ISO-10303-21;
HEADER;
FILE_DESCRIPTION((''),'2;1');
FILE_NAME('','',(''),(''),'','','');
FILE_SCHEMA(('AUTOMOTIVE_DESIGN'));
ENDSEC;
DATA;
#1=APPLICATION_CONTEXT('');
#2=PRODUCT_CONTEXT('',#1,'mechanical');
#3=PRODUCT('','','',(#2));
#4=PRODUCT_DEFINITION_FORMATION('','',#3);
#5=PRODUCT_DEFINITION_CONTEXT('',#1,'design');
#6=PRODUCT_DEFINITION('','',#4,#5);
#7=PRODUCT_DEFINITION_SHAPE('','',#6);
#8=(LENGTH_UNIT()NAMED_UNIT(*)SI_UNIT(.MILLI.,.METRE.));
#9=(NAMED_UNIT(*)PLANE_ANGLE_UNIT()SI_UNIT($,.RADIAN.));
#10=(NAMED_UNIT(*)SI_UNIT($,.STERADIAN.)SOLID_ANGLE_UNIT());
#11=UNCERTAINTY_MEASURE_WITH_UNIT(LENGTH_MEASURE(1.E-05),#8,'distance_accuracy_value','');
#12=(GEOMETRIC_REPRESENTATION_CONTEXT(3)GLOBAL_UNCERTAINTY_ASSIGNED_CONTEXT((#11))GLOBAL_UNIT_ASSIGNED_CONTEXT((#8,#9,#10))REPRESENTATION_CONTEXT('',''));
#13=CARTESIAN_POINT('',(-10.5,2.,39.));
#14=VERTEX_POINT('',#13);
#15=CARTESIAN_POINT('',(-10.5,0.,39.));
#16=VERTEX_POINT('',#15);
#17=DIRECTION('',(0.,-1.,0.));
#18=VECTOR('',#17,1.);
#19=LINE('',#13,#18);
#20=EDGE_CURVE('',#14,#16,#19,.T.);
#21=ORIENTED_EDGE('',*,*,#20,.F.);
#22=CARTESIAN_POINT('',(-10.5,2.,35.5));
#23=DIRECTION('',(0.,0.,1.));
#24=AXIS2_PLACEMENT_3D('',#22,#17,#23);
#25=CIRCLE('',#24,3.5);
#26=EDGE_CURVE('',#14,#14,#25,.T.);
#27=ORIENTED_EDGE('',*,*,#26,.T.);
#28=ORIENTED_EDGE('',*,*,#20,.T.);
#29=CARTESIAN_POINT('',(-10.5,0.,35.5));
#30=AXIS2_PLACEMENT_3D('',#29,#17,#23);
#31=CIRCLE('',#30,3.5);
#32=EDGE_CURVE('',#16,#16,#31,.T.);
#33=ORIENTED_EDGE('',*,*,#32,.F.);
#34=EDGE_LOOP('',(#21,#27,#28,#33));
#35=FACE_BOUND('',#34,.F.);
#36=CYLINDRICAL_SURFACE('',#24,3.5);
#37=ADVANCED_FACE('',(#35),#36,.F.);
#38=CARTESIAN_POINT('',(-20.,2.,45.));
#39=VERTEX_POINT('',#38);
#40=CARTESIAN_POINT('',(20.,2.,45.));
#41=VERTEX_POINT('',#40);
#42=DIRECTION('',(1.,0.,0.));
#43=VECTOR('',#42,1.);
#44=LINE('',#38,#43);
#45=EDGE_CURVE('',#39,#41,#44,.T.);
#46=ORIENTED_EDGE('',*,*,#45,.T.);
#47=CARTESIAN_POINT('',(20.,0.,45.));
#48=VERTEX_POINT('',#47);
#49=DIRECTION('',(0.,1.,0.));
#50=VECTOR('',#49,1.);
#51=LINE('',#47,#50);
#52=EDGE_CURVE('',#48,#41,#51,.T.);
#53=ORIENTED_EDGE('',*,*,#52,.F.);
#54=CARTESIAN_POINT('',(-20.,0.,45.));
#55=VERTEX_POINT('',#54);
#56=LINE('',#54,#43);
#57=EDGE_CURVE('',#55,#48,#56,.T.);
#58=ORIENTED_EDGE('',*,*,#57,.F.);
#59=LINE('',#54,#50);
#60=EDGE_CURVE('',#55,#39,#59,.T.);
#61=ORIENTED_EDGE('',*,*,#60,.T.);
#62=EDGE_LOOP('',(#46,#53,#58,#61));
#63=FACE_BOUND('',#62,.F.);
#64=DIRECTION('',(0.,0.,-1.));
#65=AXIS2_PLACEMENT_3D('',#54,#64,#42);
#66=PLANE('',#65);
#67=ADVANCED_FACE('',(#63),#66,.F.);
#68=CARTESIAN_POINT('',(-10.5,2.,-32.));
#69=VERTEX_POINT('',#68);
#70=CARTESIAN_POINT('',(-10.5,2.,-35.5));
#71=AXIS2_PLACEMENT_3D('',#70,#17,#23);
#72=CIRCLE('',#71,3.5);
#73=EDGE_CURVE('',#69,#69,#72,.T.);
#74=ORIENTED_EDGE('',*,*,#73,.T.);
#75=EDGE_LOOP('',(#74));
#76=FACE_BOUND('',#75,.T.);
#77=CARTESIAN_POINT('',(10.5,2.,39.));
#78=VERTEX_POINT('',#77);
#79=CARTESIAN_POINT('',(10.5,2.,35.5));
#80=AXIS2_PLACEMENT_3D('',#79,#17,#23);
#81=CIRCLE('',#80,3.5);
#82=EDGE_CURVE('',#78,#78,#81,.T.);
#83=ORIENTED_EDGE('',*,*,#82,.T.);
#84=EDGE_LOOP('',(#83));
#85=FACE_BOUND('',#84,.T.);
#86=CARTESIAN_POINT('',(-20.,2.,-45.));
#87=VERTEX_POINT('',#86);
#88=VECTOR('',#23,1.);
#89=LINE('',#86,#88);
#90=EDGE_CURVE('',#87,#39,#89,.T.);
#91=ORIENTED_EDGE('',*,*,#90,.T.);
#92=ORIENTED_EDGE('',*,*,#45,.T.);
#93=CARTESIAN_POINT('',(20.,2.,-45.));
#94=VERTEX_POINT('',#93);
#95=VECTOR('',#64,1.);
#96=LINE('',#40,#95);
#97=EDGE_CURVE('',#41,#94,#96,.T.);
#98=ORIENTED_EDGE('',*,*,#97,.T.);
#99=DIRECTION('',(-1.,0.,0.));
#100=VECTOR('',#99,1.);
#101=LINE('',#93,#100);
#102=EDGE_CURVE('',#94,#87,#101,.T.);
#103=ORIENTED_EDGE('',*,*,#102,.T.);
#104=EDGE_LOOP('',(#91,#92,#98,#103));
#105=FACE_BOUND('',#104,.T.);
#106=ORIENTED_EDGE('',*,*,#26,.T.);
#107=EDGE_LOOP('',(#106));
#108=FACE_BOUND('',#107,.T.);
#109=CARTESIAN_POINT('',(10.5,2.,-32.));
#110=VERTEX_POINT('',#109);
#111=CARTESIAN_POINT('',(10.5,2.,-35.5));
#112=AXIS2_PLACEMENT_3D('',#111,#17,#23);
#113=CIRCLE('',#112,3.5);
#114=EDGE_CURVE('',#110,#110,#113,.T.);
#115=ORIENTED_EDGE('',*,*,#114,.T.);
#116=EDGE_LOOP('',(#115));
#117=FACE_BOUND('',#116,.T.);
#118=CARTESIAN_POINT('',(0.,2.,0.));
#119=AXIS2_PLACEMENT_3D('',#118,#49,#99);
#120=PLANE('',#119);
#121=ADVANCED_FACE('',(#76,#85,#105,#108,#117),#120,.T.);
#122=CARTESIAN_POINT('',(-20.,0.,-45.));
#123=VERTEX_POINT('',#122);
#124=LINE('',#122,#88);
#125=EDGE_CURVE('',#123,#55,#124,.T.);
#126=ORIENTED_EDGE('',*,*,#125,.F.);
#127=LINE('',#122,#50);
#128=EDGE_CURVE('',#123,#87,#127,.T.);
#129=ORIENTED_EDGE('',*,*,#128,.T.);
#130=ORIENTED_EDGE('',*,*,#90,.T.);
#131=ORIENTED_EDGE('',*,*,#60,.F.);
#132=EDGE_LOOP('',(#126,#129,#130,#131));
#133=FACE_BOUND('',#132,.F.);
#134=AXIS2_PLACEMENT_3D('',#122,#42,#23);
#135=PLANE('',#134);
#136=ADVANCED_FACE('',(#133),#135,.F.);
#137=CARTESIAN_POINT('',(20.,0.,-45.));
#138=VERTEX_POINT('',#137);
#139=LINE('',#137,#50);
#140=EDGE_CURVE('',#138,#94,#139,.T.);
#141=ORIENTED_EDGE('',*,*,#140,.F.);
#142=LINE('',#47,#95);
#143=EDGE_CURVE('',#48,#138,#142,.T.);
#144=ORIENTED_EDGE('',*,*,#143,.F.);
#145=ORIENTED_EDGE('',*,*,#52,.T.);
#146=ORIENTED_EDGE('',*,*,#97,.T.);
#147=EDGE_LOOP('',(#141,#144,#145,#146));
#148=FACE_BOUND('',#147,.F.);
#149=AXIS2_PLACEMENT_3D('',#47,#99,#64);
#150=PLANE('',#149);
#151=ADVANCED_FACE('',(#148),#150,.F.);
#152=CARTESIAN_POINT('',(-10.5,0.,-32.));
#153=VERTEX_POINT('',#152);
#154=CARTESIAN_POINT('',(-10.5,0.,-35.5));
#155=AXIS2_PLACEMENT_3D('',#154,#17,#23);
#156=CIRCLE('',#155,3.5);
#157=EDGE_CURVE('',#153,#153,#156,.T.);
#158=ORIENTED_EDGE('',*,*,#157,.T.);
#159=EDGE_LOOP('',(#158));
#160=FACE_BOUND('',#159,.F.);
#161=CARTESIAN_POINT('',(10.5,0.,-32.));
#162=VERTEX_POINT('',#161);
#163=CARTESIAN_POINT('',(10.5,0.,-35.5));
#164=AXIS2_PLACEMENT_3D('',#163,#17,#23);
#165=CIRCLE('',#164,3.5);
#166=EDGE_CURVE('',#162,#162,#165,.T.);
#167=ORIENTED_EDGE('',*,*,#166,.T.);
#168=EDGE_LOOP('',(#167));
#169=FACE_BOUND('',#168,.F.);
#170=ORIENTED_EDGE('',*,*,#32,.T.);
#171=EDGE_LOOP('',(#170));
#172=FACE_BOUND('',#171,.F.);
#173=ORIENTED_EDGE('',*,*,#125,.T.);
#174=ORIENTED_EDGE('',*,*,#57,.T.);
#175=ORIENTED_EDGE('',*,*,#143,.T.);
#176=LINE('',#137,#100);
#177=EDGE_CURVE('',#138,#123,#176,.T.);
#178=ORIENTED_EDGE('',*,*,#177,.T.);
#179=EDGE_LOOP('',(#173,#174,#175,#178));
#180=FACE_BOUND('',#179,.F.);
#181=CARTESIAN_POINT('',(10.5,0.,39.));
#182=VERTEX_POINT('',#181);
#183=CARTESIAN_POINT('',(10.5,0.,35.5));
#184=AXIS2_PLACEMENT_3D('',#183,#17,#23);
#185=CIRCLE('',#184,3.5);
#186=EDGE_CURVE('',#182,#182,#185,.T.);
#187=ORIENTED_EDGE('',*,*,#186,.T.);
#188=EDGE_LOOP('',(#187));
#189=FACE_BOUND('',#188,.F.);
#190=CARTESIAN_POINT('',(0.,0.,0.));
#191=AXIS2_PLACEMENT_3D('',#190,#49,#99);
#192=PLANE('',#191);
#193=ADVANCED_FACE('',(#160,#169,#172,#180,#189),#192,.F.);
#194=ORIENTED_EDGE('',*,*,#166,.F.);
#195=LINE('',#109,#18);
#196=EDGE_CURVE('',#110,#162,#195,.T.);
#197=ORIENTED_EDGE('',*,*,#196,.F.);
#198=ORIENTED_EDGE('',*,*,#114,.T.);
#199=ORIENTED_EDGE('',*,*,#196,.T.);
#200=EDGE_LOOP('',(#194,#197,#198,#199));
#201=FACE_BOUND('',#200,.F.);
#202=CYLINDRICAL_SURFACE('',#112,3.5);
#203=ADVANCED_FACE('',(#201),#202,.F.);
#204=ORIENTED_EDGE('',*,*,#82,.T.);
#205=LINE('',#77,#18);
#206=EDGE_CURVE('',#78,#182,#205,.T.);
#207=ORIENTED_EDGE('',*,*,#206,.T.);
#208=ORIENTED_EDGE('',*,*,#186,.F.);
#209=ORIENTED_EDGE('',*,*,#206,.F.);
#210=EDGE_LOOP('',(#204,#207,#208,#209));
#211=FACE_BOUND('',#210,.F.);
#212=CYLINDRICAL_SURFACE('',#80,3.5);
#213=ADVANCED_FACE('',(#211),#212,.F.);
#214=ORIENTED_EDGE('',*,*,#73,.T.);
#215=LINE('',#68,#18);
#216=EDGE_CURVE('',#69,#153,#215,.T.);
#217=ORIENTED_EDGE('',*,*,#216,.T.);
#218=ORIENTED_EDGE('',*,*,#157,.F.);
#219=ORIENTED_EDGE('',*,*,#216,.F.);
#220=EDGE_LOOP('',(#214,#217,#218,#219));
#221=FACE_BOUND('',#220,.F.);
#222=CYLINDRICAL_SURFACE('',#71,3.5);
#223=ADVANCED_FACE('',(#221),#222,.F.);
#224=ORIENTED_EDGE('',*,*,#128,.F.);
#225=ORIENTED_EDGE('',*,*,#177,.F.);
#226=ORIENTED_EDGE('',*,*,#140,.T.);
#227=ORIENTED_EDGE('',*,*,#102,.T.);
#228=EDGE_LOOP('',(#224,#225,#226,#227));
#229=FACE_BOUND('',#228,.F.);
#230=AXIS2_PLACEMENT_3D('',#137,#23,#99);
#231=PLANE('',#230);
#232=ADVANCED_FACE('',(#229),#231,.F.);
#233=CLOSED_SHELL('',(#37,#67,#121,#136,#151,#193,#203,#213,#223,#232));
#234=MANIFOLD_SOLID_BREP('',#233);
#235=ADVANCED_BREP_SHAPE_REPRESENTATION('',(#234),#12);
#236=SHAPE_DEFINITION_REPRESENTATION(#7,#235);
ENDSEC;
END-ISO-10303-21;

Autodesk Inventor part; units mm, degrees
ref_plane "YZ Plane" through (0, 0, 0) normal (1, 0, 0) x (0, 1, 0)
ref_plane "XZ Plane" through (0, 0, 0) normal (0, 1, 0) x (-1, 0, 0)
ref_plane "XY Plane" through (0, 0, 0) normal (0, 0, 1) x (1, 0, 0)
sketch "Boceto1" plane through (0, 0, 0) normal (0, 1, 0) x (-1, 0, 0)
  line L0 (-20, -45) -> (20, -45)
  line L1 (20, -45) -> (20, 45)
  line L2 (20, 45) -> (-20, 45)
  line L3 (-20, 45) -> (-20, -45)
  line L4 (-20, -45) -> (20, 45) construction
  line L5 (20, -45) -> (-20, 45) construction
  point P0 (0, 0)
  dimension "d0" = 40
  dimension "d1" = 90
extrude "Extrusión1" add sketch "Boceto1" along normal blind 2
sketch "Boceto2" plane through (0, 2, 0) normal (0, 1, 0) x (1, 0, 0)
  line L0 (-20, 45) -> (-20, -45) projected
  line L1 (-20, -45) -> (20, -45) projected
  line L2 (20, -45) -> (20, 45) projected
  line L3 (20, 45) -> (-20, 45) projected
  point P0 (0, 0)
  point P1 (-10.5, -35.5)
  point P2 (10.5, -35.5)
  point P3 (-10.5, 35.5)
  point P4 (10.5, 35.5)
  dimension "d4" = 9.5
  dimension "d5" = 9.5
  dimension "d6" = 9.5
  dimension "d7" = 9.5
  dimension "d8" = 9.5
  dimension "d9" = 9.5
  dimension "d10" = 9.5
  dimension "d11" = 9.5
hole "Agujero1" at (-10.5, 2, 35.5) at (10.5, 2, 35.5) at (-10.5, 2, -35.5) at (10.5, 2, -35.5) direction (0, -1, 0) diameter 7 end through all
properties part number "adaptdor cnc"
